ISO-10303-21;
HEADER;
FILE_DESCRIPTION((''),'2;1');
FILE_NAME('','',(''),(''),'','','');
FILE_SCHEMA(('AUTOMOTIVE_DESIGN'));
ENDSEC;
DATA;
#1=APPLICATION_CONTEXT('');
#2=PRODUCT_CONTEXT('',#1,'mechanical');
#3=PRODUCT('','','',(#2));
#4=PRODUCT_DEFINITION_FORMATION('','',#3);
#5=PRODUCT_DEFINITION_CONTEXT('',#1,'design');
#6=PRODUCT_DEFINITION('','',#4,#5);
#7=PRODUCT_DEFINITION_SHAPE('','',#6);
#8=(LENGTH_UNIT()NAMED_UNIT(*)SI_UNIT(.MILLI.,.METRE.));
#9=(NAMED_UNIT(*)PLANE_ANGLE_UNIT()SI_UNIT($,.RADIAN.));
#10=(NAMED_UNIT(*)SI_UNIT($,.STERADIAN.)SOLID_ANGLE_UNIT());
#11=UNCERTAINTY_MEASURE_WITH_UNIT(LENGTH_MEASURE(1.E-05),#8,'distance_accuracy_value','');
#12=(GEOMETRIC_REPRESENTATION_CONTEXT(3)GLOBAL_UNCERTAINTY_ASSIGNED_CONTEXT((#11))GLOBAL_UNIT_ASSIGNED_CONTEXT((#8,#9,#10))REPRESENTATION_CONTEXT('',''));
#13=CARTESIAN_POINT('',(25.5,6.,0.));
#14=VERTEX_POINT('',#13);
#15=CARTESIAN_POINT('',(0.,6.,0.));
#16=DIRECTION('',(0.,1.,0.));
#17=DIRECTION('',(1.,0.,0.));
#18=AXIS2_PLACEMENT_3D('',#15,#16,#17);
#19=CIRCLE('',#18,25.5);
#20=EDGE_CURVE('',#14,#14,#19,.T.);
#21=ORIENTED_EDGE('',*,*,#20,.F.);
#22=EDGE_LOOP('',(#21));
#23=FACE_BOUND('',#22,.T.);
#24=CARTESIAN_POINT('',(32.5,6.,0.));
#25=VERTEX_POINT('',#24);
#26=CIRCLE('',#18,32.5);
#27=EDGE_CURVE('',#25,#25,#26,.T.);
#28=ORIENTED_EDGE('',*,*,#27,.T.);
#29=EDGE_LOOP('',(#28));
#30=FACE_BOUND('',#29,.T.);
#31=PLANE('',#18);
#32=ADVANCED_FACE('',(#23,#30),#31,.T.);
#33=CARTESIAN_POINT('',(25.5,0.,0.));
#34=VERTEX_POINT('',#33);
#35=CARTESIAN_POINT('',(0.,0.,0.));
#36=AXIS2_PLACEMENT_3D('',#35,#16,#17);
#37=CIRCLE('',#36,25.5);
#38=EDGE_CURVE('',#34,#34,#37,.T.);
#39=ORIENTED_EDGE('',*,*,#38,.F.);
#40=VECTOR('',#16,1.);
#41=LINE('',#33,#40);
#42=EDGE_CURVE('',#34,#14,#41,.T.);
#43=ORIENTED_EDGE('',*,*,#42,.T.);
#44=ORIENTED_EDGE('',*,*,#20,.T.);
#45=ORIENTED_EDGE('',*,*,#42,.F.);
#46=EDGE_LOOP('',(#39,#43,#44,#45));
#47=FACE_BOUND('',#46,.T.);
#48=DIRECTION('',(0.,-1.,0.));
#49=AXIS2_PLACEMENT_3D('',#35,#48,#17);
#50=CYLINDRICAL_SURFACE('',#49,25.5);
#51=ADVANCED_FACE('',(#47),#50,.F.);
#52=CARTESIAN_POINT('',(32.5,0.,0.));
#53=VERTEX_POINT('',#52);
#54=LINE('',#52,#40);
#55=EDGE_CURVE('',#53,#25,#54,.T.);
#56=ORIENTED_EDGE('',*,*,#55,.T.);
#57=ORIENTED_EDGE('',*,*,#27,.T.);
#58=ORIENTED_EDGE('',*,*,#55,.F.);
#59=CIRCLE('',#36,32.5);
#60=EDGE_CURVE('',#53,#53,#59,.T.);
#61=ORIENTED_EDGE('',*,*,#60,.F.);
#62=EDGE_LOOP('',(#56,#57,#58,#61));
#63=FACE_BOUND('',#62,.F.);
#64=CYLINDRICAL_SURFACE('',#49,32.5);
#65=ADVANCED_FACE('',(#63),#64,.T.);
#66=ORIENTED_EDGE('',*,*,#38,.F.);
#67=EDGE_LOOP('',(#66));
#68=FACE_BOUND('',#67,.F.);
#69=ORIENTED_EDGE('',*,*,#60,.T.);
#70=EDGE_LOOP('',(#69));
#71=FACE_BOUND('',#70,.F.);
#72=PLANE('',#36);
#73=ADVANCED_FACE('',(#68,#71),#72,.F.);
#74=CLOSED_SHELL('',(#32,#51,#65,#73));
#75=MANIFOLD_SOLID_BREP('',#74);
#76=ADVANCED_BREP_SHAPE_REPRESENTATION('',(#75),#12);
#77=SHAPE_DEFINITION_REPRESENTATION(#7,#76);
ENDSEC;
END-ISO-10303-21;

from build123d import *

# Parameters (mm, degrees)
SKETCH1_R      = 32.5
SKETCH1_R_2    = 25.5
EXTRUDE1_DEPTH = 6


with BuildPart() as part:
    # Sketch1 → Extrude1 (new body)
    with BuildSketch(Plane(origin=(0, 0, 0), x_dir=(1, 0, 0), z_dir=(0, 1, 0))):
        Circle(SKETCH1_R)
        Circle(SKETCH1_R_2, mode=Mode.SUBTRACT)
    extrude(amount=EXTRUDE1_DEPTH)


solid = part.part
